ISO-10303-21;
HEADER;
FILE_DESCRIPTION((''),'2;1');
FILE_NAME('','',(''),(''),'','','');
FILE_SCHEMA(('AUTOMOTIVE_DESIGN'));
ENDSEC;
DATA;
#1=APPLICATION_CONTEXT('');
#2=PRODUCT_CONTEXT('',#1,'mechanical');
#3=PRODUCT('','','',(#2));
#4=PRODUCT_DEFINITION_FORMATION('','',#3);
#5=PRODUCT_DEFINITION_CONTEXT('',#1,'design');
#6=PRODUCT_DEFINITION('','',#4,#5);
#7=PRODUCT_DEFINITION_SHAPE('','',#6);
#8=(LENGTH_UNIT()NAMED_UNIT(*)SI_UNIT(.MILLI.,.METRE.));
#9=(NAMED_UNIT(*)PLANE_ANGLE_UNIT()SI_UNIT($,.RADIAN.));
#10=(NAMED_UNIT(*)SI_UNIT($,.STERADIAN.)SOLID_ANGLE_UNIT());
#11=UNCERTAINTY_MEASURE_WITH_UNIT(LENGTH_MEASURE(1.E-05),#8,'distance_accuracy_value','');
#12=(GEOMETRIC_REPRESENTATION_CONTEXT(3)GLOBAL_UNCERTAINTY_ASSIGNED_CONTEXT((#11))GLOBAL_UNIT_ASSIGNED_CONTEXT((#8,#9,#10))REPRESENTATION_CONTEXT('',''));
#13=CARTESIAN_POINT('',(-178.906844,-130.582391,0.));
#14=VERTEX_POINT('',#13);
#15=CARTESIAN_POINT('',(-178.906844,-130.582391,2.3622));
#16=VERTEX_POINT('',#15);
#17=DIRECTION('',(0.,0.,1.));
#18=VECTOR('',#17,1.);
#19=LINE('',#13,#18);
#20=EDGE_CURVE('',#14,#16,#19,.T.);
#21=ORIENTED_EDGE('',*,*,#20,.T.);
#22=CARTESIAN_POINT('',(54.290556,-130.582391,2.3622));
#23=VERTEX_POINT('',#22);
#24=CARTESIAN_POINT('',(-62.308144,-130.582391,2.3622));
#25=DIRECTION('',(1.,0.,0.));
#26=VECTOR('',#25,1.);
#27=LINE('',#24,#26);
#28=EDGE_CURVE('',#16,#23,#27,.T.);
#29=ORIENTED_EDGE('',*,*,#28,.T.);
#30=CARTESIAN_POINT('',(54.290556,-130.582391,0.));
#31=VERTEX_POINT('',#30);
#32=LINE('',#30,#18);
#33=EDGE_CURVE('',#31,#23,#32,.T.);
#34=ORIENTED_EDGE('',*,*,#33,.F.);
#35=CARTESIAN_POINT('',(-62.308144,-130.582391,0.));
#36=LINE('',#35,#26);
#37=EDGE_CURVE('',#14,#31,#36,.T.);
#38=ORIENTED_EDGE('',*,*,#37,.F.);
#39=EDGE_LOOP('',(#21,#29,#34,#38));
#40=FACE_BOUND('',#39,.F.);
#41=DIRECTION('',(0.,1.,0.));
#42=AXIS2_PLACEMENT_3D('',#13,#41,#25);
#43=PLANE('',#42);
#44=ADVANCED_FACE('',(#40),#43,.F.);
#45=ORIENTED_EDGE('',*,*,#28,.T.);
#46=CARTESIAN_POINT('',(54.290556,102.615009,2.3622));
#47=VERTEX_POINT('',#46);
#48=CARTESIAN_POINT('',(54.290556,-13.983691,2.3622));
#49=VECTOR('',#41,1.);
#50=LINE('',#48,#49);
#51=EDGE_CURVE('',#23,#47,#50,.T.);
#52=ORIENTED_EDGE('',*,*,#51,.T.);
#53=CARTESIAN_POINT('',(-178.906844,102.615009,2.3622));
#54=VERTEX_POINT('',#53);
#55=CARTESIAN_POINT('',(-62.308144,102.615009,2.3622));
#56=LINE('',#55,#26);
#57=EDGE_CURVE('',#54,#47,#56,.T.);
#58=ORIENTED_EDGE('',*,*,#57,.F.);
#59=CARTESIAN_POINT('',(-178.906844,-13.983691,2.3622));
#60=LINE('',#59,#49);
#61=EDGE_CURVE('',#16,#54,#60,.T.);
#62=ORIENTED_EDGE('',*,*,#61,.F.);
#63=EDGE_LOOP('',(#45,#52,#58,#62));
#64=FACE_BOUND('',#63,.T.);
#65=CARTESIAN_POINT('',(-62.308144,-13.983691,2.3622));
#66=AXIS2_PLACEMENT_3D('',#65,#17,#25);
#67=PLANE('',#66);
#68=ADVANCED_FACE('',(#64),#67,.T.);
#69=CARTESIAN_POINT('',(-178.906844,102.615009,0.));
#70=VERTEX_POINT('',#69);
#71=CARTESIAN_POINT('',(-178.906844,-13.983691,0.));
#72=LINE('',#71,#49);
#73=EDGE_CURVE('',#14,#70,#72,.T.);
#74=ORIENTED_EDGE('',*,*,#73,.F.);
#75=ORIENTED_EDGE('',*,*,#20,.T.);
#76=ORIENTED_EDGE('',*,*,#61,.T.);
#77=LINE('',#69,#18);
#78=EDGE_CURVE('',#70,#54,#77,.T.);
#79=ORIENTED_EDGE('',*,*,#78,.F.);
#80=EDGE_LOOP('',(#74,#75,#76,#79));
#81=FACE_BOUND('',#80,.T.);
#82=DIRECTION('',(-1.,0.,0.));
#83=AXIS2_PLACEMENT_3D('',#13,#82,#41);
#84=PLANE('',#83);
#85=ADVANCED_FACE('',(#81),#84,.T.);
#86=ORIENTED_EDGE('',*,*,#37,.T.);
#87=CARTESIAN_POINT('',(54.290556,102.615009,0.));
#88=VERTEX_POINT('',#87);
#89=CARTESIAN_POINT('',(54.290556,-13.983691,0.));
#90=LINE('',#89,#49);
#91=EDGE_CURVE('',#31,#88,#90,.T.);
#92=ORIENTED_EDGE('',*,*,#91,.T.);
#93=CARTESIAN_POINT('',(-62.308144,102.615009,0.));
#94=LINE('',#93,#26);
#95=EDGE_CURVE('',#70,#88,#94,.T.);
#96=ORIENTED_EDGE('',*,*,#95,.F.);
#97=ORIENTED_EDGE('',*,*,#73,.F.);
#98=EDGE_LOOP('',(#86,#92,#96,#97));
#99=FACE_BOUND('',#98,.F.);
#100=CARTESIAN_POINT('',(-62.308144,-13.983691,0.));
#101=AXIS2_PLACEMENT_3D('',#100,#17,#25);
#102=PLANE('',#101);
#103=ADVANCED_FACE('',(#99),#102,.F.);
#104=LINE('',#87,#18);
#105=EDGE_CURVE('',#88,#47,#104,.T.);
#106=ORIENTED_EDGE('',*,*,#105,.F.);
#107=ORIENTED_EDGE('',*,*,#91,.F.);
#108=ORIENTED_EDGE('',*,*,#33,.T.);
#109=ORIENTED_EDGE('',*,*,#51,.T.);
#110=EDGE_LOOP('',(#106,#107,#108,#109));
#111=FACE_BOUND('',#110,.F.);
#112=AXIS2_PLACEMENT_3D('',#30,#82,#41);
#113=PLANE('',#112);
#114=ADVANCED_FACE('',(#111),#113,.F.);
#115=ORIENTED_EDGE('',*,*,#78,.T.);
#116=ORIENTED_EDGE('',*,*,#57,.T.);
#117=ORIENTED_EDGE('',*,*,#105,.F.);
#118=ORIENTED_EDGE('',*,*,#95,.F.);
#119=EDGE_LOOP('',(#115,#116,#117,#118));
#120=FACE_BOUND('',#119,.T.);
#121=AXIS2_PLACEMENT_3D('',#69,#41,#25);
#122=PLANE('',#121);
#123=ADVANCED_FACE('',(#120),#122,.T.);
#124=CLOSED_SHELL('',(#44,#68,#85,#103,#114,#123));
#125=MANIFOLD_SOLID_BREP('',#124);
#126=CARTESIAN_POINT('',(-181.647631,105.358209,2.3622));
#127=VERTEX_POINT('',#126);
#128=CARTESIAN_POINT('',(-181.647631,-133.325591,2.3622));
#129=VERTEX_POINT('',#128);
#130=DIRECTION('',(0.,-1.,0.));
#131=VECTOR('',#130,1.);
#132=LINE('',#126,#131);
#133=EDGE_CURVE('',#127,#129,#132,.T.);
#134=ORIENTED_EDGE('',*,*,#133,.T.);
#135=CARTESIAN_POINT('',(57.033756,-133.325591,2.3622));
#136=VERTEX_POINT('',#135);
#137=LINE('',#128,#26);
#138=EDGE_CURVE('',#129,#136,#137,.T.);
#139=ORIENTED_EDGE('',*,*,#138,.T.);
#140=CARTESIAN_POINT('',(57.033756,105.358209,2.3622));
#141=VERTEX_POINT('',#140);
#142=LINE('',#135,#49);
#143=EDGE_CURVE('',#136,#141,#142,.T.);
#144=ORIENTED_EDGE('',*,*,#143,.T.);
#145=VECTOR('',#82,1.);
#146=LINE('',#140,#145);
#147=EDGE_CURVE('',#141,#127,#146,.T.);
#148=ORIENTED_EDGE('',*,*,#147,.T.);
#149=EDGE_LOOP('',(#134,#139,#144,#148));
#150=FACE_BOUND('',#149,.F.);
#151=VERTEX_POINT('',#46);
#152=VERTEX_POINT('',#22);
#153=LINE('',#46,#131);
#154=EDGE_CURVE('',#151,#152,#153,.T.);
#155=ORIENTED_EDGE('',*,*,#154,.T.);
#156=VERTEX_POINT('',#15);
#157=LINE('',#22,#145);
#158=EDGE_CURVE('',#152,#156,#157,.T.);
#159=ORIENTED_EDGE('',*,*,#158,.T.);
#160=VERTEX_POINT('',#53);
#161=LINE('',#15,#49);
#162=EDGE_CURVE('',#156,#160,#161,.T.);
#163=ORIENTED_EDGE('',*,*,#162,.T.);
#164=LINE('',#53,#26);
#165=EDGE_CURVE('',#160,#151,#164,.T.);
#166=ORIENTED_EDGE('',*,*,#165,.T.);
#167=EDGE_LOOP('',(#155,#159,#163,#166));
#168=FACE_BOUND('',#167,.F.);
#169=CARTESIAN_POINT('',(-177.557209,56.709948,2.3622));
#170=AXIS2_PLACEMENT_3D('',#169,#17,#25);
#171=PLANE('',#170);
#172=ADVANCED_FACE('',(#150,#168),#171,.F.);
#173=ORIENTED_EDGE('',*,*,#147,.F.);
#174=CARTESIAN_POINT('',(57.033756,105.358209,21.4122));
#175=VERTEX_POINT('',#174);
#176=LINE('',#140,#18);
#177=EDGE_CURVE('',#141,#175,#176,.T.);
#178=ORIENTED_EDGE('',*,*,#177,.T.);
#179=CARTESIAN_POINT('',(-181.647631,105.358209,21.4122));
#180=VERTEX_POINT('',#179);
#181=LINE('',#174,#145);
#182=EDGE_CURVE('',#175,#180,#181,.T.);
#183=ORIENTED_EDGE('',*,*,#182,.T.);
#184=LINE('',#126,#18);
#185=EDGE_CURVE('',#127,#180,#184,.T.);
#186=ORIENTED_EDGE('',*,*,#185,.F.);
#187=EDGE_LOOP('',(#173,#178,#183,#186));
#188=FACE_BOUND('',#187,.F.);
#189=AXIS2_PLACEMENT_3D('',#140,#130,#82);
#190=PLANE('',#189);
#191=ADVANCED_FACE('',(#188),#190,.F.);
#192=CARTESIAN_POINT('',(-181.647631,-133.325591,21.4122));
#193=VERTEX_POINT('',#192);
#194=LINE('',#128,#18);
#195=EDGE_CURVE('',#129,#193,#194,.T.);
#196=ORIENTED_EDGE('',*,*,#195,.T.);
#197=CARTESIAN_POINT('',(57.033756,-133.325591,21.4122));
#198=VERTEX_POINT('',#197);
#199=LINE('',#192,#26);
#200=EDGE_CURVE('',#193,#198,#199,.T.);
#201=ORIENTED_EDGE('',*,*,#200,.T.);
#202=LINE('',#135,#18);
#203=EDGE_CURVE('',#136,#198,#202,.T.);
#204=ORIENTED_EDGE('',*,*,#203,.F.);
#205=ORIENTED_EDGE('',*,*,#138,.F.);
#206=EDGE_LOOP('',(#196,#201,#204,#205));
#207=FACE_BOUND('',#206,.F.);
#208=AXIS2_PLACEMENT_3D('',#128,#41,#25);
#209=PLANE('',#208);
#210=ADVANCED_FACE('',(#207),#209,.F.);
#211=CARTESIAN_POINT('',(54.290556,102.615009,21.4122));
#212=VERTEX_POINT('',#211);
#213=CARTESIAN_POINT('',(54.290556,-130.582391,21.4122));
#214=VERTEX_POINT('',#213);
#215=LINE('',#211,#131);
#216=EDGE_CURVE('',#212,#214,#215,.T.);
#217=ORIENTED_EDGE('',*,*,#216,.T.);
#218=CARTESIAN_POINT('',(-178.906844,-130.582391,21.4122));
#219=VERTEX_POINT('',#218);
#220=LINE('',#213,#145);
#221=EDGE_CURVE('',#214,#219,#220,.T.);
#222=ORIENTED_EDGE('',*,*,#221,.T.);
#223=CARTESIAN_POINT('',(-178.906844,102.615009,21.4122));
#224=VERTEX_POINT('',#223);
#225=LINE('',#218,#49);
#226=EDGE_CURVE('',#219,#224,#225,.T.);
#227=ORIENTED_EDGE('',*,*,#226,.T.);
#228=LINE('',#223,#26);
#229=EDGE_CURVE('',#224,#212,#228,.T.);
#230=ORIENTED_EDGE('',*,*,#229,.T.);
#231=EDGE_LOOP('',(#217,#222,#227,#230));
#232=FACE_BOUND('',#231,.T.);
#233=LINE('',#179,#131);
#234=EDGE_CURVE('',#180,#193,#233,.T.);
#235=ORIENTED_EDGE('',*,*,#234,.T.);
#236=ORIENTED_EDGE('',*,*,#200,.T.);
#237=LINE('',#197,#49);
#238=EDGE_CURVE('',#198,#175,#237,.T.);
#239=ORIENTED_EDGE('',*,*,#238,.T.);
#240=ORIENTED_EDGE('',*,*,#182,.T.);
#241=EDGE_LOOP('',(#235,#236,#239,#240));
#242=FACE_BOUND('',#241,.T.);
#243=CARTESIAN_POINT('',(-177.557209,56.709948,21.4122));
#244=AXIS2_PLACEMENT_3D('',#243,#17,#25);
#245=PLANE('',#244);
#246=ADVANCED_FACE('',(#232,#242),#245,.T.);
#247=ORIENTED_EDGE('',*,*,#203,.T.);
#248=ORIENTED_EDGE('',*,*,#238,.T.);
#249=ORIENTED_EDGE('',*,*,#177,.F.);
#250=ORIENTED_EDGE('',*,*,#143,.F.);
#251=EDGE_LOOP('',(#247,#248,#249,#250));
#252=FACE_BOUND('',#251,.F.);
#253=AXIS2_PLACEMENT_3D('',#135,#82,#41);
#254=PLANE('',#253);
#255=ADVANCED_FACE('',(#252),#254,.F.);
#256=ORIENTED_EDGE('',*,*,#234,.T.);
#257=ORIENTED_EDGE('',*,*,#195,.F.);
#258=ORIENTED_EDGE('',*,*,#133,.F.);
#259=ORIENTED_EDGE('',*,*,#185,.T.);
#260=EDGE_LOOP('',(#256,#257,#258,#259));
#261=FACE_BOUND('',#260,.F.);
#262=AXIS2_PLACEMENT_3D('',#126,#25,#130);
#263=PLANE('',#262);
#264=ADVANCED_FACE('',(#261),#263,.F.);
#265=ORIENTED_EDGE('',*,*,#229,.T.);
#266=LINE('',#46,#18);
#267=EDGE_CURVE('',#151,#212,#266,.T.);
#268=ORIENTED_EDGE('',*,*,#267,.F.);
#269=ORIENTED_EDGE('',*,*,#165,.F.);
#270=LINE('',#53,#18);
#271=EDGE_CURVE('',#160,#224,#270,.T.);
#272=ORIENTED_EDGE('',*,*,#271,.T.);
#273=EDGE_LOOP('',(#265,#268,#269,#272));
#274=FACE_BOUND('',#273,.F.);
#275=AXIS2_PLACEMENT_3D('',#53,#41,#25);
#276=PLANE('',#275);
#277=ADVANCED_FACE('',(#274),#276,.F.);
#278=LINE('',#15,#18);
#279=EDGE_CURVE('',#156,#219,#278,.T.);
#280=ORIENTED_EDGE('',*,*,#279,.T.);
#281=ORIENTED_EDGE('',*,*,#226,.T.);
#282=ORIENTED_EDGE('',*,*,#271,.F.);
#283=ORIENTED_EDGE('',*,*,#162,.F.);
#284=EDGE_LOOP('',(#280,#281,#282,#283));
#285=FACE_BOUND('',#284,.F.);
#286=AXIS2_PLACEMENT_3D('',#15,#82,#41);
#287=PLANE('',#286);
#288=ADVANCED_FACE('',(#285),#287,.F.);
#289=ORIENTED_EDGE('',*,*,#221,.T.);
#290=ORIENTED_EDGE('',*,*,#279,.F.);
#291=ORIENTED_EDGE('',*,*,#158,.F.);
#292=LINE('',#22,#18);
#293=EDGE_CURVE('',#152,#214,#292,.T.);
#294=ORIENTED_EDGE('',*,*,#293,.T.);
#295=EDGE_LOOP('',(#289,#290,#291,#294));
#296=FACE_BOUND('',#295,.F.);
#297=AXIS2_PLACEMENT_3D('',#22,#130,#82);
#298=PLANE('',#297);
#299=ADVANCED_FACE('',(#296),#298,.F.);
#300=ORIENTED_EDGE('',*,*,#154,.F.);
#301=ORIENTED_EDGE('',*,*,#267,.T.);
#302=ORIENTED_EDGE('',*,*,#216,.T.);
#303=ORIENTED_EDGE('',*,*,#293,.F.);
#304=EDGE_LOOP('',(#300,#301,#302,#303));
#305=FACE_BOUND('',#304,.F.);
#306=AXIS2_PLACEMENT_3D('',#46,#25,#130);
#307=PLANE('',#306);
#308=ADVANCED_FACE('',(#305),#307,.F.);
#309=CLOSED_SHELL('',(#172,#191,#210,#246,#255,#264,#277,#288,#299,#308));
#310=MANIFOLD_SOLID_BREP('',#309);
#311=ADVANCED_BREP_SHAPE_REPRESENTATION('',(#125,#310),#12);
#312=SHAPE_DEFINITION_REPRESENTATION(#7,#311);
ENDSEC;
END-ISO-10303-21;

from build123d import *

# Parameters (mm, degrees)
F0_W     = 233.1974
F0_H     = 233.1974
F1_DEPTH = 2.3622
F3_DEPTH = 19.05


with BuildPart() as f1:
    # F0 (on Top) → F1 (new body)
    with BuildSketch(Plane.XY):
        with Locations((-62.308144, -13.983691)):
            Rectangle(F0_W, F0_H)
    extrude(amount=F1_DEPTH)


with BuildPart() as f3:
    # F2 (on face) → F3 (new body)
    with BuildSketch(Plane.XY.offset(2.3622)):
        Polygon((-153.363779, 105.358209), (-181.647631, 105.358209), (-181.647631, -12.04132), (-178.906844, -12.04132), (-178.906844, 102.615009), (-153.363779, 102.615009), align=None)
        Polygon((-178.906844, -12.04132), (-181.647631, -12.04132), (-181.647631, -133.325591), (-62.306937, -133.325591), (-62.306937, -130.582391), (-178.906844, -130.582391), align=None)
        Polygon((57.033756, 105.358209), (-153.363779, 105.358209), (-153.363779, 102.615009), (54.290556, 102.615009), (54.290556, -13.983691), (57.033756, -13.983691), align=None)
        Polygon((57.033756, -133.325591), (57.033756, -13.983691), (54.290556, -13.983691), (54.290556, -130.582391), (-62.306937, -130.582391), (-62.306937, -133.325591), align=None)
    extrude(amount=F3_DEPTH)


solid = Compound([f1.part, f3.part])
